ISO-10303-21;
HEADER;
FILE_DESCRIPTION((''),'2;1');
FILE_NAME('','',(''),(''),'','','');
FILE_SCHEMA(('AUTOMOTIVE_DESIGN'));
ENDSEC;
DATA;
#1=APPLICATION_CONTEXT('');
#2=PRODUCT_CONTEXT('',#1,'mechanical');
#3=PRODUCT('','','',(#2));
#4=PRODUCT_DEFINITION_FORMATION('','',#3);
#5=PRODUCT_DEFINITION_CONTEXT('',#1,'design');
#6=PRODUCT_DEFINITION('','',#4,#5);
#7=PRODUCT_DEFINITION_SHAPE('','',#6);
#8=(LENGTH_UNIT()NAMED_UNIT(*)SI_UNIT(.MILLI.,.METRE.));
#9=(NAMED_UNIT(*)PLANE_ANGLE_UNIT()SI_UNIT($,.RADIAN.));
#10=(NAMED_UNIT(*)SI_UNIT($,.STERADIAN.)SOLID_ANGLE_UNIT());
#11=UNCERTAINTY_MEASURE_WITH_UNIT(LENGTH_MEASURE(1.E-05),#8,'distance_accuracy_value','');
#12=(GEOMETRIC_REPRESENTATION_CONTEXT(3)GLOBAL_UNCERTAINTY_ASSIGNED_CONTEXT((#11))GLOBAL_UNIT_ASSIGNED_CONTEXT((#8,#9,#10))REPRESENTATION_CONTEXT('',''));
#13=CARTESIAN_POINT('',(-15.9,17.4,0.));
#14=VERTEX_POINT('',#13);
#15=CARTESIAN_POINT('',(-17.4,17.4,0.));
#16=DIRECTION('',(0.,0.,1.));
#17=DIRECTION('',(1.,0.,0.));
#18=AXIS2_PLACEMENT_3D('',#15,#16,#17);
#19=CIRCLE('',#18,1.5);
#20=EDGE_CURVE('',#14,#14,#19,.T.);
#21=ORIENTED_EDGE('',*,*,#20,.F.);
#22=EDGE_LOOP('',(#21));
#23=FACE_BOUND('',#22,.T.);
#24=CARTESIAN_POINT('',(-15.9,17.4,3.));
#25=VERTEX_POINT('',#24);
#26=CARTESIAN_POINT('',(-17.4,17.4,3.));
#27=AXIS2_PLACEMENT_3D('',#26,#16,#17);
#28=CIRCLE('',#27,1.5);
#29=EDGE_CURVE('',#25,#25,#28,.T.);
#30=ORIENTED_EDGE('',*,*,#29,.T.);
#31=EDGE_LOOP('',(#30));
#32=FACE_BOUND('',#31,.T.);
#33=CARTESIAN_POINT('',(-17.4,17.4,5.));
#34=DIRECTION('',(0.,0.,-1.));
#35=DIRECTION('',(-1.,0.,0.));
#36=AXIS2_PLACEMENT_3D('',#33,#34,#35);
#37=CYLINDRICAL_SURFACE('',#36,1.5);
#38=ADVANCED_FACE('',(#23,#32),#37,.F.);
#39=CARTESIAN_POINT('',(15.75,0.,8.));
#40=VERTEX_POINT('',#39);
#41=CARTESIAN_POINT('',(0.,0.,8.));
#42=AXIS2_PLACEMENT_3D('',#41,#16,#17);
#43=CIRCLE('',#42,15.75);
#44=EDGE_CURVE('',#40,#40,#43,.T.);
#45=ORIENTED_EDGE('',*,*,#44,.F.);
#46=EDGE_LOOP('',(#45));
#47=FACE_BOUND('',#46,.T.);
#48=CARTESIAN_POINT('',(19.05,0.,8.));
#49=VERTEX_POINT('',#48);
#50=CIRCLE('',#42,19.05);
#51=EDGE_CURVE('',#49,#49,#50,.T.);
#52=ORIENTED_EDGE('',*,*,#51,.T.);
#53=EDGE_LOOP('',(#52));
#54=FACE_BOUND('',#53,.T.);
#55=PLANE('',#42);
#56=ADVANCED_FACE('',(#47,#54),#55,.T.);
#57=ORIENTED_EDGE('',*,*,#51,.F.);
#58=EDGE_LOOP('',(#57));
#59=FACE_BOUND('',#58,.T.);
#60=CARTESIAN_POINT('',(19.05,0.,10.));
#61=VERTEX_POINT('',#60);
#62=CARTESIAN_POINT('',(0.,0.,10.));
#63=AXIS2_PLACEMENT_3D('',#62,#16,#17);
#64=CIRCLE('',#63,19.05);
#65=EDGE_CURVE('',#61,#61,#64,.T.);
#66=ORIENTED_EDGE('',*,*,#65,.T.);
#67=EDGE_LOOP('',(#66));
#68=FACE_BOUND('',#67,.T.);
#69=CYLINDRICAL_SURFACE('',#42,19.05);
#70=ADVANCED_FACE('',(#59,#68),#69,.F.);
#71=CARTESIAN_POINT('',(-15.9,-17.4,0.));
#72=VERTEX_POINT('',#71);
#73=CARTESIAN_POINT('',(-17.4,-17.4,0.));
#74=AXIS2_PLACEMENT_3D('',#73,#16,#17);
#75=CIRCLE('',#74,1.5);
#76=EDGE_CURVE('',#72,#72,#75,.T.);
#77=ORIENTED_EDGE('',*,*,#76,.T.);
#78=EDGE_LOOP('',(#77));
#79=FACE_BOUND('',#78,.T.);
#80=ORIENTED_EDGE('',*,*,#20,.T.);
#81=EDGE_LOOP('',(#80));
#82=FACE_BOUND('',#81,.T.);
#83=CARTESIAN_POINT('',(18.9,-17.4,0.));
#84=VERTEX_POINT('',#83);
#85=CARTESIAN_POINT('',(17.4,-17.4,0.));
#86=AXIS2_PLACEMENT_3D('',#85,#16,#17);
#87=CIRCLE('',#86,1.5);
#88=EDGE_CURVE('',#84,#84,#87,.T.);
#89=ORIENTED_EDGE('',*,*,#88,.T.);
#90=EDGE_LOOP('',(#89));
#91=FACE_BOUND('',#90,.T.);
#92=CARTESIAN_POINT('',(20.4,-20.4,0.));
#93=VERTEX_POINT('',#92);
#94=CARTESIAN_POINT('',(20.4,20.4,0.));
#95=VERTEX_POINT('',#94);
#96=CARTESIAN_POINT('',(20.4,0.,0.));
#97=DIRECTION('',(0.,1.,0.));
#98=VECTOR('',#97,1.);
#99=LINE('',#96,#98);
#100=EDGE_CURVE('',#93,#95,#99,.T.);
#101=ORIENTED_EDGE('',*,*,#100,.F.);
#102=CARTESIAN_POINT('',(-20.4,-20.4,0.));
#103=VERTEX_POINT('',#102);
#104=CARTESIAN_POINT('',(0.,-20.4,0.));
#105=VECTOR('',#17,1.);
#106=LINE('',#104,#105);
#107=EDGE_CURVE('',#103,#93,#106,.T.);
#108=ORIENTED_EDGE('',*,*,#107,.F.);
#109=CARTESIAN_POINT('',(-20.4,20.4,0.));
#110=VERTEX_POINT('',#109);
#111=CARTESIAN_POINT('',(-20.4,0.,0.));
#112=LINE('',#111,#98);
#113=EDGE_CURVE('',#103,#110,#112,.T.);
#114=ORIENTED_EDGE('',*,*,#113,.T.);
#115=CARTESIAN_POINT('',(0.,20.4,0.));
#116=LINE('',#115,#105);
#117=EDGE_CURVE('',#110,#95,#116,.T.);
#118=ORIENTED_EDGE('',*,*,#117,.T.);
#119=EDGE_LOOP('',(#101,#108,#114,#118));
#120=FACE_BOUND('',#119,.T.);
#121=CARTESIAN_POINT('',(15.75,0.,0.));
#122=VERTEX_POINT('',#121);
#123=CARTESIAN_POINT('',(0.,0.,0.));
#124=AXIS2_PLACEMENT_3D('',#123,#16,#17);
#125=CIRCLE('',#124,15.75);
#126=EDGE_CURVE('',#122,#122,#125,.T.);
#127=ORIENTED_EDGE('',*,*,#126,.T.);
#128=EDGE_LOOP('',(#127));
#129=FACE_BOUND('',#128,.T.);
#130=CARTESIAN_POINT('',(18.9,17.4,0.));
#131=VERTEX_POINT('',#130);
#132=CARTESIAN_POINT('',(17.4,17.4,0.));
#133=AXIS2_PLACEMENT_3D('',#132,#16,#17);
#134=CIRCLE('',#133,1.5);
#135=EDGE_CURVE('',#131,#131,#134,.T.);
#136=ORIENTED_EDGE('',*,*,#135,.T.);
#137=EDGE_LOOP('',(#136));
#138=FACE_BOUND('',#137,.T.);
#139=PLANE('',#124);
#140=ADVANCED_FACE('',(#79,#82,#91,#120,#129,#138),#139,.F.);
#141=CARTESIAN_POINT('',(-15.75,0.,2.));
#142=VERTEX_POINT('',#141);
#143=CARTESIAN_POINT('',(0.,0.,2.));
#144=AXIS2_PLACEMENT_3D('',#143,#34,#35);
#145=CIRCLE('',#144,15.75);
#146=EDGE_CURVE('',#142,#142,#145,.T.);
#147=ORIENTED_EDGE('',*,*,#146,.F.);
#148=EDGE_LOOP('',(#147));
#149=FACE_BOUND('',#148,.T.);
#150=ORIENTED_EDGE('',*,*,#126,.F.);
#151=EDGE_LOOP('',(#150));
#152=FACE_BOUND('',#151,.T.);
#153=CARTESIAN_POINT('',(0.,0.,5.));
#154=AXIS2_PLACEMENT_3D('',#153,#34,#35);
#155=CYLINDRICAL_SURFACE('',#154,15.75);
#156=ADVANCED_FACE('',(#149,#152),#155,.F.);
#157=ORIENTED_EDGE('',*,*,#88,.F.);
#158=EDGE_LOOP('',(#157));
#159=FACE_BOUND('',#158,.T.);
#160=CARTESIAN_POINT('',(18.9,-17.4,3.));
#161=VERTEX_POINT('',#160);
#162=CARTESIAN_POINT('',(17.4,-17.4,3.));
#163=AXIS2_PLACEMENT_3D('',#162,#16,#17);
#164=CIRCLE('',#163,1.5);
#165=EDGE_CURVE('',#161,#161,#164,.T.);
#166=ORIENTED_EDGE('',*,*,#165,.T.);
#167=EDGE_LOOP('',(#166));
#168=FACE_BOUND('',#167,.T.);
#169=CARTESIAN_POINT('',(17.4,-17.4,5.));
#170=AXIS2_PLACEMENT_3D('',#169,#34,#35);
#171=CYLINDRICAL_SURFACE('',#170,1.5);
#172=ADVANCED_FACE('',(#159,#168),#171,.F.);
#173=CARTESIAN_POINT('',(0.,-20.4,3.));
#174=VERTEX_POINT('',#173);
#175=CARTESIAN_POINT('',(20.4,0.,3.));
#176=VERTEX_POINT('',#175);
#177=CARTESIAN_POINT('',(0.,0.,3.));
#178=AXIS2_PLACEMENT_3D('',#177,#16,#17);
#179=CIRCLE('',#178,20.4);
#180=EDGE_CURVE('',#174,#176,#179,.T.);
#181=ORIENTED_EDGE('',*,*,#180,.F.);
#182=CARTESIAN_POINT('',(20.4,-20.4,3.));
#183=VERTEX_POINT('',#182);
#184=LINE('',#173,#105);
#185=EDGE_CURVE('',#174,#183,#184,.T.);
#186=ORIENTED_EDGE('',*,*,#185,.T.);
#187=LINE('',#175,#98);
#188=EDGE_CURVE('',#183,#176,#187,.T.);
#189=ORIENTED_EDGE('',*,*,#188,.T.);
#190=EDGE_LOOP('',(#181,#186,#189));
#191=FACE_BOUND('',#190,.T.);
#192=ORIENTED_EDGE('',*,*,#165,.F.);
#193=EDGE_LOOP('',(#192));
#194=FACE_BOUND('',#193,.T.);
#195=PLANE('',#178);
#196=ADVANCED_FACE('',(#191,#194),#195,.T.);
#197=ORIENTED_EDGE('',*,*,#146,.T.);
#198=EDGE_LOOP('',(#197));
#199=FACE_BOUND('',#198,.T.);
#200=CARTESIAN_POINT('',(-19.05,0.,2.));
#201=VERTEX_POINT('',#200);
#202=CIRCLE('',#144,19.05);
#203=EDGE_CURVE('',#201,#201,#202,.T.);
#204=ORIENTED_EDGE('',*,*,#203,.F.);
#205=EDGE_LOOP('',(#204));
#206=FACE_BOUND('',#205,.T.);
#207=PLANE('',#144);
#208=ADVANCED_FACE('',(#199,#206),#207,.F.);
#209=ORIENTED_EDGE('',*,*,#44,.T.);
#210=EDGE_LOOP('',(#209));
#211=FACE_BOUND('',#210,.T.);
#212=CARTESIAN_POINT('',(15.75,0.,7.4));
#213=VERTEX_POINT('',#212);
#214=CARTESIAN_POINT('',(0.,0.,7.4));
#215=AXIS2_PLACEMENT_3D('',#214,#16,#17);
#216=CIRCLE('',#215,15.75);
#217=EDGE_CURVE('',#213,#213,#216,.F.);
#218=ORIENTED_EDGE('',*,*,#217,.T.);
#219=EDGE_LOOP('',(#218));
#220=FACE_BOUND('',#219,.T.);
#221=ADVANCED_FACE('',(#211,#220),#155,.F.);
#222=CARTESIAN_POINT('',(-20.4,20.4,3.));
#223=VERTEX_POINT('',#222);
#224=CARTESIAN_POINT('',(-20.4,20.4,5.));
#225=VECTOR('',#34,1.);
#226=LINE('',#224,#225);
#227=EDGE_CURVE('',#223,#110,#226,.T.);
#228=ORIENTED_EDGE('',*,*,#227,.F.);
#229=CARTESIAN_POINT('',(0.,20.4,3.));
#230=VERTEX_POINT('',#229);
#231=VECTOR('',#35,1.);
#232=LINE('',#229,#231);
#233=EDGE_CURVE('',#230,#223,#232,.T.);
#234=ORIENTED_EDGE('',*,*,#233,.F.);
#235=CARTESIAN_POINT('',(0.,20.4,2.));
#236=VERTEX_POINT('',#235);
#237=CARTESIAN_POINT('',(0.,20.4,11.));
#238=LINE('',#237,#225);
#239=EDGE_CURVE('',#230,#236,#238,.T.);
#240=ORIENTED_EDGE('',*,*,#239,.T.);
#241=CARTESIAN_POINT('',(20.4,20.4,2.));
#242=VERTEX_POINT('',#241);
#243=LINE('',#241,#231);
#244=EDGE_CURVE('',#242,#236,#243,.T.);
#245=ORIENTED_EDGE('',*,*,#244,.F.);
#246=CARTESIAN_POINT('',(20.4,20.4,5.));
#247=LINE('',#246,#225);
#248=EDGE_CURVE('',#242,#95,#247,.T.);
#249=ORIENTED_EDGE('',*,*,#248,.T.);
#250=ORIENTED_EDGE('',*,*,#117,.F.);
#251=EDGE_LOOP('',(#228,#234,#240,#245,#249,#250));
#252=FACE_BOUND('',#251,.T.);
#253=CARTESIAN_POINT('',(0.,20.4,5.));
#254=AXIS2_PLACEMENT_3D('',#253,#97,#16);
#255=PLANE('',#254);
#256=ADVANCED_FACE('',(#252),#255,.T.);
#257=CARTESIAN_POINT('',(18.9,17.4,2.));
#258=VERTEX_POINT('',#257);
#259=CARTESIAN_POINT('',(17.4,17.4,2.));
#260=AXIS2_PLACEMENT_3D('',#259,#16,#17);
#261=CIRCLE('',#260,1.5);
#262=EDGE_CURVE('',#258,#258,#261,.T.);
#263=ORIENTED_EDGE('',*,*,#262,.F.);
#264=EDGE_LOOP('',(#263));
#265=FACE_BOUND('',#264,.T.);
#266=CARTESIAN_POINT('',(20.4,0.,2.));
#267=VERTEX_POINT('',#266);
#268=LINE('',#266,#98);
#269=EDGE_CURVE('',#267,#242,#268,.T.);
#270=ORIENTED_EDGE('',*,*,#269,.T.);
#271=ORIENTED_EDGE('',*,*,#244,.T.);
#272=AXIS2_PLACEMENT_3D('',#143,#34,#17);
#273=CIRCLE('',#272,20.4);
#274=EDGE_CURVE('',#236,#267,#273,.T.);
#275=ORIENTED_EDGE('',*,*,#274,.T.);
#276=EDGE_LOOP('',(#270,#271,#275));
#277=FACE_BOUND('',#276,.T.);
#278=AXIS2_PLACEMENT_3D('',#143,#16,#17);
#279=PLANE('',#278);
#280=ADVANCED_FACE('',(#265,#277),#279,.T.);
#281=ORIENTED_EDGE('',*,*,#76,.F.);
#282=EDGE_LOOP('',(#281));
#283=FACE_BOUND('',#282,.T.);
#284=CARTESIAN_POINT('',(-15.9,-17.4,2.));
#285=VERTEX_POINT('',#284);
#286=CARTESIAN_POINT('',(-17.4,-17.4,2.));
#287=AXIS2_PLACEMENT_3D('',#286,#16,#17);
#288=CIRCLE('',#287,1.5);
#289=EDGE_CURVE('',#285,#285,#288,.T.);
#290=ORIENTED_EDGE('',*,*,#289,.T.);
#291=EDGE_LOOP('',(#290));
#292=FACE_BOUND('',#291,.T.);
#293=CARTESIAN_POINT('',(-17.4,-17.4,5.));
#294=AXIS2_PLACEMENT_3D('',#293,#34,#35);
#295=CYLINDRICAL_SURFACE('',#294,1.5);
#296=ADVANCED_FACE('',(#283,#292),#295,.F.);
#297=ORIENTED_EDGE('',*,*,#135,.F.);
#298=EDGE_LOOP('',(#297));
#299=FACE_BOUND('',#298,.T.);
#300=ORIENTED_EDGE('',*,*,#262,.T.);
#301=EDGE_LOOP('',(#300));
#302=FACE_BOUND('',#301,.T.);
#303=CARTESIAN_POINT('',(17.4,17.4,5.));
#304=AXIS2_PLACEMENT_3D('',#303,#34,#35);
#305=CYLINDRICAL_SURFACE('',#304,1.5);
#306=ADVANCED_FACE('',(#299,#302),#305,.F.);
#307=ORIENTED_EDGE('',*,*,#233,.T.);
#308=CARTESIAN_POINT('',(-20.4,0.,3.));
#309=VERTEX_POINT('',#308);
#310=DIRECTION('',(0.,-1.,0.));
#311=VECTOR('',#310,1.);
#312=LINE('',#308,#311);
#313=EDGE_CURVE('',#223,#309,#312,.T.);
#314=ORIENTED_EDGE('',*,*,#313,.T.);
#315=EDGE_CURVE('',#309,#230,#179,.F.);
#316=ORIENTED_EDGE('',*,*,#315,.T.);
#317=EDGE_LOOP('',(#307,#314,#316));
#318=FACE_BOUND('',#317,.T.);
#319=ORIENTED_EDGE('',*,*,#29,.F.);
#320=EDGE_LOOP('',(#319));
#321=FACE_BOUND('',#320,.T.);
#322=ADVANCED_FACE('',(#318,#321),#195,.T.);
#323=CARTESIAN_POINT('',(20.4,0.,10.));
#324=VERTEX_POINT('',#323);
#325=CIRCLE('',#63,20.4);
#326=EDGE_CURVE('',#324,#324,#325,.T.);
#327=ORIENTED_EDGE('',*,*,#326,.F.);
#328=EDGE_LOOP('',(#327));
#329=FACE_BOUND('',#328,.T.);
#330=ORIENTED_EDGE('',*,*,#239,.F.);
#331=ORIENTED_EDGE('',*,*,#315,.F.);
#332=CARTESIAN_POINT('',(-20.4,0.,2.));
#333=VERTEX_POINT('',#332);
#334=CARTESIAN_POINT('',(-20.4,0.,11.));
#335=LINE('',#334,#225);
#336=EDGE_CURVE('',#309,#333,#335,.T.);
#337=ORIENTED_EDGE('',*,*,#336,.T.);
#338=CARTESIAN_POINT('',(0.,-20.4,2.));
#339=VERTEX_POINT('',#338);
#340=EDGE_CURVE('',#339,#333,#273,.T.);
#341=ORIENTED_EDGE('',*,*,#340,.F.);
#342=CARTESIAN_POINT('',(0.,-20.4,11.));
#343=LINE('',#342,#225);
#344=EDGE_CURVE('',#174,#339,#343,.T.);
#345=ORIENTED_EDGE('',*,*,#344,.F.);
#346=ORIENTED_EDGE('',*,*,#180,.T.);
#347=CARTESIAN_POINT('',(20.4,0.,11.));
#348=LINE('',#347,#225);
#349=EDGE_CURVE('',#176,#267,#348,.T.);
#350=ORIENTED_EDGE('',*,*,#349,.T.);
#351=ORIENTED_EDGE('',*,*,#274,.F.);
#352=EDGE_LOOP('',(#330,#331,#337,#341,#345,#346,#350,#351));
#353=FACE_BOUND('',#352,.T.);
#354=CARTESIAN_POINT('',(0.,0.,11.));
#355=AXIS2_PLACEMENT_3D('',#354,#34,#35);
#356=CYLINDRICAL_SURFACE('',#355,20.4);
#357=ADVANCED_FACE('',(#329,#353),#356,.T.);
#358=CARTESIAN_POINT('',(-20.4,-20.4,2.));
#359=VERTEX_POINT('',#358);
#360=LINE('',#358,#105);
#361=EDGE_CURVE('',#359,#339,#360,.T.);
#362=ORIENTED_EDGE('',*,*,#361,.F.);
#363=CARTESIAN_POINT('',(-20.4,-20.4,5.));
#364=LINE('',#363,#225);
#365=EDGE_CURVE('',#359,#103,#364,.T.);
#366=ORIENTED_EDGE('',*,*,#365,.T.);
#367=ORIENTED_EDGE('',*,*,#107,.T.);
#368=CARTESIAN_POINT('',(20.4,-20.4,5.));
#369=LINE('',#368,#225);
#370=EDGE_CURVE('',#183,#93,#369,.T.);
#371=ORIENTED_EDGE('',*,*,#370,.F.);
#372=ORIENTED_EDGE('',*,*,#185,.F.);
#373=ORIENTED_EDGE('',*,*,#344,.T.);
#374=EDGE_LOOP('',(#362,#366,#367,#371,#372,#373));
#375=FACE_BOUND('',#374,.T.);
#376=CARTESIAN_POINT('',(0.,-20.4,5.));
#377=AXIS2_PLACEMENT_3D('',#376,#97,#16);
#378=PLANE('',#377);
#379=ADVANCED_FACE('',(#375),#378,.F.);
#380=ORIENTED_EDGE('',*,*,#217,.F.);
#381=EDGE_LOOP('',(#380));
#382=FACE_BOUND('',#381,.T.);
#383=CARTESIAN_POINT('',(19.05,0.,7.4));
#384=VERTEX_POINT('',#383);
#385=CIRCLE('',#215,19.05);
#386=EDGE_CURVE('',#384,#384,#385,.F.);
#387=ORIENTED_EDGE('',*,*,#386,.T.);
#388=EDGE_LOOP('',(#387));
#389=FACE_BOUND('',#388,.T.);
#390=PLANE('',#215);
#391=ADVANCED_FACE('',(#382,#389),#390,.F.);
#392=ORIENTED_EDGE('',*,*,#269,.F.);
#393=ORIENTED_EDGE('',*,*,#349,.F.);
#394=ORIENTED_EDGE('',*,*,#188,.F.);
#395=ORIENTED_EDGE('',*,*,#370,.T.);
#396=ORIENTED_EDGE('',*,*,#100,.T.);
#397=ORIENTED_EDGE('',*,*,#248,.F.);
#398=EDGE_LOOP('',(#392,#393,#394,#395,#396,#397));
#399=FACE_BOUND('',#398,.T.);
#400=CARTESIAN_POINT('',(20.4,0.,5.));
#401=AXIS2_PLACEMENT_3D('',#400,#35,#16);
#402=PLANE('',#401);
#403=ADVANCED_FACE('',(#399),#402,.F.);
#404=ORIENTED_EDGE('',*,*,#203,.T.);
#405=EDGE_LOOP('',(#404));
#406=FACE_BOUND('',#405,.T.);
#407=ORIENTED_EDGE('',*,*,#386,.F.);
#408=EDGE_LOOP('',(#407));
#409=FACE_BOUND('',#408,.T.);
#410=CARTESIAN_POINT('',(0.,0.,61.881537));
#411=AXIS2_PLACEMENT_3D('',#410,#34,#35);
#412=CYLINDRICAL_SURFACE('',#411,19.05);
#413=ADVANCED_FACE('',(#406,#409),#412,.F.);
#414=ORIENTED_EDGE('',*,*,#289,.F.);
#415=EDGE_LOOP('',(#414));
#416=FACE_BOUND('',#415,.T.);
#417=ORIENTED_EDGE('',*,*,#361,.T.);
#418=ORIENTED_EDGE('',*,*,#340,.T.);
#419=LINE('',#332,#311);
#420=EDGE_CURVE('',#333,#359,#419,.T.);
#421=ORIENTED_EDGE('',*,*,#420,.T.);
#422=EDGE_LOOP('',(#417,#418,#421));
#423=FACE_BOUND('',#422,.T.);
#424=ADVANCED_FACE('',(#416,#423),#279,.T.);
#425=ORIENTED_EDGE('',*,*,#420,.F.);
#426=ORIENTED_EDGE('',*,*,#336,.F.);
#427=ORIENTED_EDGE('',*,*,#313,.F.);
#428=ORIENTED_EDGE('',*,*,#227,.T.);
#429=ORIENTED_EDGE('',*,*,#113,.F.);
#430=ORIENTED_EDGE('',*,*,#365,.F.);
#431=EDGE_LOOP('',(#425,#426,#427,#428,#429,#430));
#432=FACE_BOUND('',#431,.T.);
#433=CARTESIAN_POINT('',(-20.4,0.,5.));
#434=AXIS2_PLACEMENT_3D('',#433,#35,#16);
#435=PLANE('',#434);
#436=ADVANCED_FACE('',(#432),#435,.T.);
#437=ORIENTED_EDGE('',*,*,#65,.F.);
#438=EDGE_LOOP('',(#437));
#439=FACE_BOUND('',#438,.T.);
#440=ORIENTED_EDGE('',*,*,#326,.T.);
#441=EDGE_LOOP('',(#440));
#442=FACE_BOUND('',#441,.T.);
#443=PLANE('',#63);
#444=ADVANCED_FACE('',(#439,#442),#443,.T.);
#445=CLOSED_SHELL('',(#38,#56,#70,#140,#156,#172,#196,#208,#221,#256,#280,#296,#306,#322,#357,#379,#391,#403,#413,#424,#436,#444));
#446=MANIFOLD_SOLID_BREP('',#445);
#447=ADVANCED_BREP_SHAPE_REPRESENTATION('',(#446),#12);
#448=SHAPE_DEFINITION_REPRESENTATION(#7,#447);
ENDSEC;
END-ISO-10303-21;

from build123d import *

# Parameters (mm, degrees)
SKETCH2_R               = 20.4
SKETCH2_R_2             = 15.75
SKETCH2_R_3             = 1.5
BOSS_EXTRUDE1_DEPTH     = 5
BOSS_EXTRUDE2_START     = 5
SKETCH2_4_R             = 20.4
SKETCH2_4_R_2           = 15.75
SKETCH2_4_R_3           = 1.5
BOSS_EXTRUDE2_DEPTH     = 6
SKETCH4_R               = 19.05
CUT_EXTRUDE2_DEPTH      = 3
CUT_EXTRUDE3_START      = -6
SKETCH5_R               = 19.05
SKETCH5_R_2             = 15.75
CUT_EXTRUDE3_DEPTH      = 5.4
CUT_EXTRUDE4_START      = -3
CUT_EXTRUDE4_DEPTH      = 3
CUT_EXTRUDE5_START      = -1
SKETCH7_R               = 19.05
CUT_EXTRUDE5_DEPTH      = 1
CUT_EXTRUDE6_DEPTH      = 30.938603842
CUT_EXTRUDE6_DEPTH_BACK = 5


with BuildPart() as part:
    # Sketch2 → Boss-Extrude1 (new body)
    # profile 1 of 5: a face of its own
    with BuildSketch(Plane.XY):
        Circle(SKETCH2_R)
        Circle(SKETCH2_R_2, mode=Mode.SUBTRACT)
    # profile 2 of 5: a face of its own
    with BuildSketch(Plane.XY):
        with BuildLine():
            Line((-20.4, 20.4), (-20.4, -3.8e-08))
            ThreePointArc((-20.4, -3.8e-08), (-14.424978339, 14.424978334), (3.1e-08, 20.4))
            Line((3.1e-08, 20.4), (-20.4, 20.4))
        make_face()
        with Locations((-17.4, 17.4)):
            Circle(SKETCH2_R_3, mode=Mode.SUBTRACT)
    # profile 3 of 5: a face of its own
    with BuildSketch(Plane.XY):
        with BuildLine():
            ThreePointArc((3.1e-08, 20.4), (14.424978347, 14.424978325), (20.4, 0))
            Line((20.4, 0), (20.4, 20.4))
            Line((20.4, 20.4), (3.1e-08, 20.4))
        make_face()
        with Locations((17.4, 17.4)):
            Circle(SKETCH2_R_3, mode=Mode.SUBTRACT)
    # profile 4 of 5: a face of its own
    with BuildSketch(Plane.XY):
        with BuildLine():
            ThreePointArc((20.4, 0), (14.424978335, -14.424978337), (-2e-09, -20.4))
            Line((-2e-09, -20.4), (20.4, -20.4))
            Line((20.4, -20.4), (20.4, 0))
        make_face()
        with Locations((17.4, -17.4)):
            Circle(SKETCH2_R_3, mode=Mode.SUBTRACT)
    # profile 5 of 5: a face of its own
    with BuildSketch(Plane.XY):
        with BuildLine():
            Line((-20.4, -3.8e-08), (-20.4, -20.4))
            Line((-20.4, -20.4), (-2e-09, -20.4))
            ThreePointArc((-2e-09, -20.4), (-14.424978323, -14.424978349), (-20.4, -3.8e-08))
        make_face()
        with Locations((-17.4, -17.4)):
            Circle(SKETCH2_R_3, mode=Mode.SUBTRACT)
    extrude(amount=BOSS_EXTRUDE1_DEPTH)

    # Sketch2<4> → Boss-Extrude2 (add)
    # profile 1 of 3: a face of its own
    with BuildSketch(Plane.XY.offset(BOSS_EXTRUDE2_START)):
        Circle(SKETCH2_4_R)
        Circle(SKETCH2_4_R_2, mode=Mode.SUBTRACT)
    # profile 2 of 3: a face of its own
    with BuildSketch(Plane.XY.offset(BOSS_EXTRUDE2_START)):
        with BuildLine():
            Line((-20.4, 20.4), (-20.4, -3.8e-08))
            ThreePointArc((-20.4, -3.8e-08), (-14.424978339, 14.424978334), (3.1e-08, 20.4))
            Line((3.1e-08, 20.4), (-20.4, 20.4))
        make_face()
        with Locations((-17.4, 17.4)):
            Circle(SKETCH2_4_R_3, mode=Mode.SUBTRACT)
    # profile 3 of 3: a face of its own
    with BuildSketch(Plane.XY.offset(BOSS_EXTRUDE2_START)):
        with BuildLine():
            ThreePointArc((20.4, 0), (14.424978335, -14.424978337), (-2e-09, -20.4))
            Line((-2e-09, -20.4), (20.4, -20.4))
            Line((20.4, -20.4), (20.4, 0))
        make_face()
        with Locations((17.4, -17.4)):
            Circle(SKETCH2_4_R_3, mode=Mode.SUBTRACT)
    extrude(amount=BOSS_EXTRUDE2_DEPTH)

    # Sketch4 → Cut-Extrude2 (cut)
    with BuildSketch(Plane.XY.offset(11)):
        Circle(SKETCH4_R)
    extrude(amount=-CUT_EXTRUDE2_DEPTH, mode=Mode.SUBTRACT)

    # Sketch5 → Cut-Extrude3 (cut)
    with BuildSketch(Plane.XY.offset(8).offset(CUT_EXTRUDE3_START)):
        Circle(SKETCH5_R)
        with Locations(Location((0, 0, 0), (0, 0, 180))):
            Circle(SKETCH5_R_2, mode=Mode.SUBTRACT)
    extrude(amount=CUT_EXTRUDE3_DEPTH, mode=Mode.SUBTRACT)

    # Sketch6 → Cut-Extrude4 (cut)
    with BuildSketch(Plane.XY.offset(5).offset(CUT_EXTRUDE4_START)):
        with BuildLine():
            Line((20.4, 0), (20.4, 20.4))
            Line((20.4, 20.4), (0, 20.4))
            ThreePointArc((0, 20.4), (14.424978336, 14.424978336), (20.4, 0))
        make_face()
        with BuildLine():
            Line((-20.4, 0), (-20.4, -20.4))
            Line((-20.4, -20.4), (0, -20.4))
            ThreePointArc((0, -20.4), (-14.424978336, -14.424978336), (-20.4, 0))
        make_face()
    extrude(amount=CUT_EXTRUDE4_DEPTH, mode=Mode.SUBTRACT)

    # Sketch7 → Cut-Extrude5 (cut)
    with BuildSketch(Plane.XY.offset(11).offset(CUT_EXTRUDE5_START)):
        with BuildLine():
            Line((20.4, -20.4), (20.4, 0))
            ThreePointArc((20.4, 0), (14.424978336, 14.424978336), (0, 20.4))
            Line((0, 20.4), (-20.4, 20.4))
            Line((-20.4, 20.4), (-20.4, 0))
            ThreePointArc((-20.4, 0), (-14.424978336, -14.424978336), (0, -20.4))
            Line((0, -20.4), (20.4, -20.4))
        make_face()
        Circle(SKETCH7_R, mode=Mode.SUBTRACT)
    extrude(amount=CUT_EXTRUDE5_DEPTH, mode=Mode.SUBTRACT)

    # Sketch8 → Cut-Extrude6 (cut, two sides: drawn at the far end of the back side and taken through both)
    with BuildSketch(Plane.XY.offset(8).offset(-CUT_EXTRUDE6_DEPTH_BACK)):
        with BuildLine():
            Line((-20.4, 20.4), (-20.4, 0))
            ThreePointArc((-20.4, 0), (-14.424978336, 14.424978336), (0, 20.4))
            Line((0, 20.4), (-20.4, 20.4))
        make_face()
        with BuildLine():
            ThreePointArc((20.4, 0), (14.424978336, -14.424978336), (0, -20.4))
            Line((0, -20.4), (20.4, -20.4))
            Line((20.4, -20.4), (20.4, 0))
        make_face()
    extrude(amount=CUT_EXTRUDE6_DEPTH + CUT_EXTRUDE6_DEPTH_BACK, mode=Mode.SUBTRACT)


solid = part.part
